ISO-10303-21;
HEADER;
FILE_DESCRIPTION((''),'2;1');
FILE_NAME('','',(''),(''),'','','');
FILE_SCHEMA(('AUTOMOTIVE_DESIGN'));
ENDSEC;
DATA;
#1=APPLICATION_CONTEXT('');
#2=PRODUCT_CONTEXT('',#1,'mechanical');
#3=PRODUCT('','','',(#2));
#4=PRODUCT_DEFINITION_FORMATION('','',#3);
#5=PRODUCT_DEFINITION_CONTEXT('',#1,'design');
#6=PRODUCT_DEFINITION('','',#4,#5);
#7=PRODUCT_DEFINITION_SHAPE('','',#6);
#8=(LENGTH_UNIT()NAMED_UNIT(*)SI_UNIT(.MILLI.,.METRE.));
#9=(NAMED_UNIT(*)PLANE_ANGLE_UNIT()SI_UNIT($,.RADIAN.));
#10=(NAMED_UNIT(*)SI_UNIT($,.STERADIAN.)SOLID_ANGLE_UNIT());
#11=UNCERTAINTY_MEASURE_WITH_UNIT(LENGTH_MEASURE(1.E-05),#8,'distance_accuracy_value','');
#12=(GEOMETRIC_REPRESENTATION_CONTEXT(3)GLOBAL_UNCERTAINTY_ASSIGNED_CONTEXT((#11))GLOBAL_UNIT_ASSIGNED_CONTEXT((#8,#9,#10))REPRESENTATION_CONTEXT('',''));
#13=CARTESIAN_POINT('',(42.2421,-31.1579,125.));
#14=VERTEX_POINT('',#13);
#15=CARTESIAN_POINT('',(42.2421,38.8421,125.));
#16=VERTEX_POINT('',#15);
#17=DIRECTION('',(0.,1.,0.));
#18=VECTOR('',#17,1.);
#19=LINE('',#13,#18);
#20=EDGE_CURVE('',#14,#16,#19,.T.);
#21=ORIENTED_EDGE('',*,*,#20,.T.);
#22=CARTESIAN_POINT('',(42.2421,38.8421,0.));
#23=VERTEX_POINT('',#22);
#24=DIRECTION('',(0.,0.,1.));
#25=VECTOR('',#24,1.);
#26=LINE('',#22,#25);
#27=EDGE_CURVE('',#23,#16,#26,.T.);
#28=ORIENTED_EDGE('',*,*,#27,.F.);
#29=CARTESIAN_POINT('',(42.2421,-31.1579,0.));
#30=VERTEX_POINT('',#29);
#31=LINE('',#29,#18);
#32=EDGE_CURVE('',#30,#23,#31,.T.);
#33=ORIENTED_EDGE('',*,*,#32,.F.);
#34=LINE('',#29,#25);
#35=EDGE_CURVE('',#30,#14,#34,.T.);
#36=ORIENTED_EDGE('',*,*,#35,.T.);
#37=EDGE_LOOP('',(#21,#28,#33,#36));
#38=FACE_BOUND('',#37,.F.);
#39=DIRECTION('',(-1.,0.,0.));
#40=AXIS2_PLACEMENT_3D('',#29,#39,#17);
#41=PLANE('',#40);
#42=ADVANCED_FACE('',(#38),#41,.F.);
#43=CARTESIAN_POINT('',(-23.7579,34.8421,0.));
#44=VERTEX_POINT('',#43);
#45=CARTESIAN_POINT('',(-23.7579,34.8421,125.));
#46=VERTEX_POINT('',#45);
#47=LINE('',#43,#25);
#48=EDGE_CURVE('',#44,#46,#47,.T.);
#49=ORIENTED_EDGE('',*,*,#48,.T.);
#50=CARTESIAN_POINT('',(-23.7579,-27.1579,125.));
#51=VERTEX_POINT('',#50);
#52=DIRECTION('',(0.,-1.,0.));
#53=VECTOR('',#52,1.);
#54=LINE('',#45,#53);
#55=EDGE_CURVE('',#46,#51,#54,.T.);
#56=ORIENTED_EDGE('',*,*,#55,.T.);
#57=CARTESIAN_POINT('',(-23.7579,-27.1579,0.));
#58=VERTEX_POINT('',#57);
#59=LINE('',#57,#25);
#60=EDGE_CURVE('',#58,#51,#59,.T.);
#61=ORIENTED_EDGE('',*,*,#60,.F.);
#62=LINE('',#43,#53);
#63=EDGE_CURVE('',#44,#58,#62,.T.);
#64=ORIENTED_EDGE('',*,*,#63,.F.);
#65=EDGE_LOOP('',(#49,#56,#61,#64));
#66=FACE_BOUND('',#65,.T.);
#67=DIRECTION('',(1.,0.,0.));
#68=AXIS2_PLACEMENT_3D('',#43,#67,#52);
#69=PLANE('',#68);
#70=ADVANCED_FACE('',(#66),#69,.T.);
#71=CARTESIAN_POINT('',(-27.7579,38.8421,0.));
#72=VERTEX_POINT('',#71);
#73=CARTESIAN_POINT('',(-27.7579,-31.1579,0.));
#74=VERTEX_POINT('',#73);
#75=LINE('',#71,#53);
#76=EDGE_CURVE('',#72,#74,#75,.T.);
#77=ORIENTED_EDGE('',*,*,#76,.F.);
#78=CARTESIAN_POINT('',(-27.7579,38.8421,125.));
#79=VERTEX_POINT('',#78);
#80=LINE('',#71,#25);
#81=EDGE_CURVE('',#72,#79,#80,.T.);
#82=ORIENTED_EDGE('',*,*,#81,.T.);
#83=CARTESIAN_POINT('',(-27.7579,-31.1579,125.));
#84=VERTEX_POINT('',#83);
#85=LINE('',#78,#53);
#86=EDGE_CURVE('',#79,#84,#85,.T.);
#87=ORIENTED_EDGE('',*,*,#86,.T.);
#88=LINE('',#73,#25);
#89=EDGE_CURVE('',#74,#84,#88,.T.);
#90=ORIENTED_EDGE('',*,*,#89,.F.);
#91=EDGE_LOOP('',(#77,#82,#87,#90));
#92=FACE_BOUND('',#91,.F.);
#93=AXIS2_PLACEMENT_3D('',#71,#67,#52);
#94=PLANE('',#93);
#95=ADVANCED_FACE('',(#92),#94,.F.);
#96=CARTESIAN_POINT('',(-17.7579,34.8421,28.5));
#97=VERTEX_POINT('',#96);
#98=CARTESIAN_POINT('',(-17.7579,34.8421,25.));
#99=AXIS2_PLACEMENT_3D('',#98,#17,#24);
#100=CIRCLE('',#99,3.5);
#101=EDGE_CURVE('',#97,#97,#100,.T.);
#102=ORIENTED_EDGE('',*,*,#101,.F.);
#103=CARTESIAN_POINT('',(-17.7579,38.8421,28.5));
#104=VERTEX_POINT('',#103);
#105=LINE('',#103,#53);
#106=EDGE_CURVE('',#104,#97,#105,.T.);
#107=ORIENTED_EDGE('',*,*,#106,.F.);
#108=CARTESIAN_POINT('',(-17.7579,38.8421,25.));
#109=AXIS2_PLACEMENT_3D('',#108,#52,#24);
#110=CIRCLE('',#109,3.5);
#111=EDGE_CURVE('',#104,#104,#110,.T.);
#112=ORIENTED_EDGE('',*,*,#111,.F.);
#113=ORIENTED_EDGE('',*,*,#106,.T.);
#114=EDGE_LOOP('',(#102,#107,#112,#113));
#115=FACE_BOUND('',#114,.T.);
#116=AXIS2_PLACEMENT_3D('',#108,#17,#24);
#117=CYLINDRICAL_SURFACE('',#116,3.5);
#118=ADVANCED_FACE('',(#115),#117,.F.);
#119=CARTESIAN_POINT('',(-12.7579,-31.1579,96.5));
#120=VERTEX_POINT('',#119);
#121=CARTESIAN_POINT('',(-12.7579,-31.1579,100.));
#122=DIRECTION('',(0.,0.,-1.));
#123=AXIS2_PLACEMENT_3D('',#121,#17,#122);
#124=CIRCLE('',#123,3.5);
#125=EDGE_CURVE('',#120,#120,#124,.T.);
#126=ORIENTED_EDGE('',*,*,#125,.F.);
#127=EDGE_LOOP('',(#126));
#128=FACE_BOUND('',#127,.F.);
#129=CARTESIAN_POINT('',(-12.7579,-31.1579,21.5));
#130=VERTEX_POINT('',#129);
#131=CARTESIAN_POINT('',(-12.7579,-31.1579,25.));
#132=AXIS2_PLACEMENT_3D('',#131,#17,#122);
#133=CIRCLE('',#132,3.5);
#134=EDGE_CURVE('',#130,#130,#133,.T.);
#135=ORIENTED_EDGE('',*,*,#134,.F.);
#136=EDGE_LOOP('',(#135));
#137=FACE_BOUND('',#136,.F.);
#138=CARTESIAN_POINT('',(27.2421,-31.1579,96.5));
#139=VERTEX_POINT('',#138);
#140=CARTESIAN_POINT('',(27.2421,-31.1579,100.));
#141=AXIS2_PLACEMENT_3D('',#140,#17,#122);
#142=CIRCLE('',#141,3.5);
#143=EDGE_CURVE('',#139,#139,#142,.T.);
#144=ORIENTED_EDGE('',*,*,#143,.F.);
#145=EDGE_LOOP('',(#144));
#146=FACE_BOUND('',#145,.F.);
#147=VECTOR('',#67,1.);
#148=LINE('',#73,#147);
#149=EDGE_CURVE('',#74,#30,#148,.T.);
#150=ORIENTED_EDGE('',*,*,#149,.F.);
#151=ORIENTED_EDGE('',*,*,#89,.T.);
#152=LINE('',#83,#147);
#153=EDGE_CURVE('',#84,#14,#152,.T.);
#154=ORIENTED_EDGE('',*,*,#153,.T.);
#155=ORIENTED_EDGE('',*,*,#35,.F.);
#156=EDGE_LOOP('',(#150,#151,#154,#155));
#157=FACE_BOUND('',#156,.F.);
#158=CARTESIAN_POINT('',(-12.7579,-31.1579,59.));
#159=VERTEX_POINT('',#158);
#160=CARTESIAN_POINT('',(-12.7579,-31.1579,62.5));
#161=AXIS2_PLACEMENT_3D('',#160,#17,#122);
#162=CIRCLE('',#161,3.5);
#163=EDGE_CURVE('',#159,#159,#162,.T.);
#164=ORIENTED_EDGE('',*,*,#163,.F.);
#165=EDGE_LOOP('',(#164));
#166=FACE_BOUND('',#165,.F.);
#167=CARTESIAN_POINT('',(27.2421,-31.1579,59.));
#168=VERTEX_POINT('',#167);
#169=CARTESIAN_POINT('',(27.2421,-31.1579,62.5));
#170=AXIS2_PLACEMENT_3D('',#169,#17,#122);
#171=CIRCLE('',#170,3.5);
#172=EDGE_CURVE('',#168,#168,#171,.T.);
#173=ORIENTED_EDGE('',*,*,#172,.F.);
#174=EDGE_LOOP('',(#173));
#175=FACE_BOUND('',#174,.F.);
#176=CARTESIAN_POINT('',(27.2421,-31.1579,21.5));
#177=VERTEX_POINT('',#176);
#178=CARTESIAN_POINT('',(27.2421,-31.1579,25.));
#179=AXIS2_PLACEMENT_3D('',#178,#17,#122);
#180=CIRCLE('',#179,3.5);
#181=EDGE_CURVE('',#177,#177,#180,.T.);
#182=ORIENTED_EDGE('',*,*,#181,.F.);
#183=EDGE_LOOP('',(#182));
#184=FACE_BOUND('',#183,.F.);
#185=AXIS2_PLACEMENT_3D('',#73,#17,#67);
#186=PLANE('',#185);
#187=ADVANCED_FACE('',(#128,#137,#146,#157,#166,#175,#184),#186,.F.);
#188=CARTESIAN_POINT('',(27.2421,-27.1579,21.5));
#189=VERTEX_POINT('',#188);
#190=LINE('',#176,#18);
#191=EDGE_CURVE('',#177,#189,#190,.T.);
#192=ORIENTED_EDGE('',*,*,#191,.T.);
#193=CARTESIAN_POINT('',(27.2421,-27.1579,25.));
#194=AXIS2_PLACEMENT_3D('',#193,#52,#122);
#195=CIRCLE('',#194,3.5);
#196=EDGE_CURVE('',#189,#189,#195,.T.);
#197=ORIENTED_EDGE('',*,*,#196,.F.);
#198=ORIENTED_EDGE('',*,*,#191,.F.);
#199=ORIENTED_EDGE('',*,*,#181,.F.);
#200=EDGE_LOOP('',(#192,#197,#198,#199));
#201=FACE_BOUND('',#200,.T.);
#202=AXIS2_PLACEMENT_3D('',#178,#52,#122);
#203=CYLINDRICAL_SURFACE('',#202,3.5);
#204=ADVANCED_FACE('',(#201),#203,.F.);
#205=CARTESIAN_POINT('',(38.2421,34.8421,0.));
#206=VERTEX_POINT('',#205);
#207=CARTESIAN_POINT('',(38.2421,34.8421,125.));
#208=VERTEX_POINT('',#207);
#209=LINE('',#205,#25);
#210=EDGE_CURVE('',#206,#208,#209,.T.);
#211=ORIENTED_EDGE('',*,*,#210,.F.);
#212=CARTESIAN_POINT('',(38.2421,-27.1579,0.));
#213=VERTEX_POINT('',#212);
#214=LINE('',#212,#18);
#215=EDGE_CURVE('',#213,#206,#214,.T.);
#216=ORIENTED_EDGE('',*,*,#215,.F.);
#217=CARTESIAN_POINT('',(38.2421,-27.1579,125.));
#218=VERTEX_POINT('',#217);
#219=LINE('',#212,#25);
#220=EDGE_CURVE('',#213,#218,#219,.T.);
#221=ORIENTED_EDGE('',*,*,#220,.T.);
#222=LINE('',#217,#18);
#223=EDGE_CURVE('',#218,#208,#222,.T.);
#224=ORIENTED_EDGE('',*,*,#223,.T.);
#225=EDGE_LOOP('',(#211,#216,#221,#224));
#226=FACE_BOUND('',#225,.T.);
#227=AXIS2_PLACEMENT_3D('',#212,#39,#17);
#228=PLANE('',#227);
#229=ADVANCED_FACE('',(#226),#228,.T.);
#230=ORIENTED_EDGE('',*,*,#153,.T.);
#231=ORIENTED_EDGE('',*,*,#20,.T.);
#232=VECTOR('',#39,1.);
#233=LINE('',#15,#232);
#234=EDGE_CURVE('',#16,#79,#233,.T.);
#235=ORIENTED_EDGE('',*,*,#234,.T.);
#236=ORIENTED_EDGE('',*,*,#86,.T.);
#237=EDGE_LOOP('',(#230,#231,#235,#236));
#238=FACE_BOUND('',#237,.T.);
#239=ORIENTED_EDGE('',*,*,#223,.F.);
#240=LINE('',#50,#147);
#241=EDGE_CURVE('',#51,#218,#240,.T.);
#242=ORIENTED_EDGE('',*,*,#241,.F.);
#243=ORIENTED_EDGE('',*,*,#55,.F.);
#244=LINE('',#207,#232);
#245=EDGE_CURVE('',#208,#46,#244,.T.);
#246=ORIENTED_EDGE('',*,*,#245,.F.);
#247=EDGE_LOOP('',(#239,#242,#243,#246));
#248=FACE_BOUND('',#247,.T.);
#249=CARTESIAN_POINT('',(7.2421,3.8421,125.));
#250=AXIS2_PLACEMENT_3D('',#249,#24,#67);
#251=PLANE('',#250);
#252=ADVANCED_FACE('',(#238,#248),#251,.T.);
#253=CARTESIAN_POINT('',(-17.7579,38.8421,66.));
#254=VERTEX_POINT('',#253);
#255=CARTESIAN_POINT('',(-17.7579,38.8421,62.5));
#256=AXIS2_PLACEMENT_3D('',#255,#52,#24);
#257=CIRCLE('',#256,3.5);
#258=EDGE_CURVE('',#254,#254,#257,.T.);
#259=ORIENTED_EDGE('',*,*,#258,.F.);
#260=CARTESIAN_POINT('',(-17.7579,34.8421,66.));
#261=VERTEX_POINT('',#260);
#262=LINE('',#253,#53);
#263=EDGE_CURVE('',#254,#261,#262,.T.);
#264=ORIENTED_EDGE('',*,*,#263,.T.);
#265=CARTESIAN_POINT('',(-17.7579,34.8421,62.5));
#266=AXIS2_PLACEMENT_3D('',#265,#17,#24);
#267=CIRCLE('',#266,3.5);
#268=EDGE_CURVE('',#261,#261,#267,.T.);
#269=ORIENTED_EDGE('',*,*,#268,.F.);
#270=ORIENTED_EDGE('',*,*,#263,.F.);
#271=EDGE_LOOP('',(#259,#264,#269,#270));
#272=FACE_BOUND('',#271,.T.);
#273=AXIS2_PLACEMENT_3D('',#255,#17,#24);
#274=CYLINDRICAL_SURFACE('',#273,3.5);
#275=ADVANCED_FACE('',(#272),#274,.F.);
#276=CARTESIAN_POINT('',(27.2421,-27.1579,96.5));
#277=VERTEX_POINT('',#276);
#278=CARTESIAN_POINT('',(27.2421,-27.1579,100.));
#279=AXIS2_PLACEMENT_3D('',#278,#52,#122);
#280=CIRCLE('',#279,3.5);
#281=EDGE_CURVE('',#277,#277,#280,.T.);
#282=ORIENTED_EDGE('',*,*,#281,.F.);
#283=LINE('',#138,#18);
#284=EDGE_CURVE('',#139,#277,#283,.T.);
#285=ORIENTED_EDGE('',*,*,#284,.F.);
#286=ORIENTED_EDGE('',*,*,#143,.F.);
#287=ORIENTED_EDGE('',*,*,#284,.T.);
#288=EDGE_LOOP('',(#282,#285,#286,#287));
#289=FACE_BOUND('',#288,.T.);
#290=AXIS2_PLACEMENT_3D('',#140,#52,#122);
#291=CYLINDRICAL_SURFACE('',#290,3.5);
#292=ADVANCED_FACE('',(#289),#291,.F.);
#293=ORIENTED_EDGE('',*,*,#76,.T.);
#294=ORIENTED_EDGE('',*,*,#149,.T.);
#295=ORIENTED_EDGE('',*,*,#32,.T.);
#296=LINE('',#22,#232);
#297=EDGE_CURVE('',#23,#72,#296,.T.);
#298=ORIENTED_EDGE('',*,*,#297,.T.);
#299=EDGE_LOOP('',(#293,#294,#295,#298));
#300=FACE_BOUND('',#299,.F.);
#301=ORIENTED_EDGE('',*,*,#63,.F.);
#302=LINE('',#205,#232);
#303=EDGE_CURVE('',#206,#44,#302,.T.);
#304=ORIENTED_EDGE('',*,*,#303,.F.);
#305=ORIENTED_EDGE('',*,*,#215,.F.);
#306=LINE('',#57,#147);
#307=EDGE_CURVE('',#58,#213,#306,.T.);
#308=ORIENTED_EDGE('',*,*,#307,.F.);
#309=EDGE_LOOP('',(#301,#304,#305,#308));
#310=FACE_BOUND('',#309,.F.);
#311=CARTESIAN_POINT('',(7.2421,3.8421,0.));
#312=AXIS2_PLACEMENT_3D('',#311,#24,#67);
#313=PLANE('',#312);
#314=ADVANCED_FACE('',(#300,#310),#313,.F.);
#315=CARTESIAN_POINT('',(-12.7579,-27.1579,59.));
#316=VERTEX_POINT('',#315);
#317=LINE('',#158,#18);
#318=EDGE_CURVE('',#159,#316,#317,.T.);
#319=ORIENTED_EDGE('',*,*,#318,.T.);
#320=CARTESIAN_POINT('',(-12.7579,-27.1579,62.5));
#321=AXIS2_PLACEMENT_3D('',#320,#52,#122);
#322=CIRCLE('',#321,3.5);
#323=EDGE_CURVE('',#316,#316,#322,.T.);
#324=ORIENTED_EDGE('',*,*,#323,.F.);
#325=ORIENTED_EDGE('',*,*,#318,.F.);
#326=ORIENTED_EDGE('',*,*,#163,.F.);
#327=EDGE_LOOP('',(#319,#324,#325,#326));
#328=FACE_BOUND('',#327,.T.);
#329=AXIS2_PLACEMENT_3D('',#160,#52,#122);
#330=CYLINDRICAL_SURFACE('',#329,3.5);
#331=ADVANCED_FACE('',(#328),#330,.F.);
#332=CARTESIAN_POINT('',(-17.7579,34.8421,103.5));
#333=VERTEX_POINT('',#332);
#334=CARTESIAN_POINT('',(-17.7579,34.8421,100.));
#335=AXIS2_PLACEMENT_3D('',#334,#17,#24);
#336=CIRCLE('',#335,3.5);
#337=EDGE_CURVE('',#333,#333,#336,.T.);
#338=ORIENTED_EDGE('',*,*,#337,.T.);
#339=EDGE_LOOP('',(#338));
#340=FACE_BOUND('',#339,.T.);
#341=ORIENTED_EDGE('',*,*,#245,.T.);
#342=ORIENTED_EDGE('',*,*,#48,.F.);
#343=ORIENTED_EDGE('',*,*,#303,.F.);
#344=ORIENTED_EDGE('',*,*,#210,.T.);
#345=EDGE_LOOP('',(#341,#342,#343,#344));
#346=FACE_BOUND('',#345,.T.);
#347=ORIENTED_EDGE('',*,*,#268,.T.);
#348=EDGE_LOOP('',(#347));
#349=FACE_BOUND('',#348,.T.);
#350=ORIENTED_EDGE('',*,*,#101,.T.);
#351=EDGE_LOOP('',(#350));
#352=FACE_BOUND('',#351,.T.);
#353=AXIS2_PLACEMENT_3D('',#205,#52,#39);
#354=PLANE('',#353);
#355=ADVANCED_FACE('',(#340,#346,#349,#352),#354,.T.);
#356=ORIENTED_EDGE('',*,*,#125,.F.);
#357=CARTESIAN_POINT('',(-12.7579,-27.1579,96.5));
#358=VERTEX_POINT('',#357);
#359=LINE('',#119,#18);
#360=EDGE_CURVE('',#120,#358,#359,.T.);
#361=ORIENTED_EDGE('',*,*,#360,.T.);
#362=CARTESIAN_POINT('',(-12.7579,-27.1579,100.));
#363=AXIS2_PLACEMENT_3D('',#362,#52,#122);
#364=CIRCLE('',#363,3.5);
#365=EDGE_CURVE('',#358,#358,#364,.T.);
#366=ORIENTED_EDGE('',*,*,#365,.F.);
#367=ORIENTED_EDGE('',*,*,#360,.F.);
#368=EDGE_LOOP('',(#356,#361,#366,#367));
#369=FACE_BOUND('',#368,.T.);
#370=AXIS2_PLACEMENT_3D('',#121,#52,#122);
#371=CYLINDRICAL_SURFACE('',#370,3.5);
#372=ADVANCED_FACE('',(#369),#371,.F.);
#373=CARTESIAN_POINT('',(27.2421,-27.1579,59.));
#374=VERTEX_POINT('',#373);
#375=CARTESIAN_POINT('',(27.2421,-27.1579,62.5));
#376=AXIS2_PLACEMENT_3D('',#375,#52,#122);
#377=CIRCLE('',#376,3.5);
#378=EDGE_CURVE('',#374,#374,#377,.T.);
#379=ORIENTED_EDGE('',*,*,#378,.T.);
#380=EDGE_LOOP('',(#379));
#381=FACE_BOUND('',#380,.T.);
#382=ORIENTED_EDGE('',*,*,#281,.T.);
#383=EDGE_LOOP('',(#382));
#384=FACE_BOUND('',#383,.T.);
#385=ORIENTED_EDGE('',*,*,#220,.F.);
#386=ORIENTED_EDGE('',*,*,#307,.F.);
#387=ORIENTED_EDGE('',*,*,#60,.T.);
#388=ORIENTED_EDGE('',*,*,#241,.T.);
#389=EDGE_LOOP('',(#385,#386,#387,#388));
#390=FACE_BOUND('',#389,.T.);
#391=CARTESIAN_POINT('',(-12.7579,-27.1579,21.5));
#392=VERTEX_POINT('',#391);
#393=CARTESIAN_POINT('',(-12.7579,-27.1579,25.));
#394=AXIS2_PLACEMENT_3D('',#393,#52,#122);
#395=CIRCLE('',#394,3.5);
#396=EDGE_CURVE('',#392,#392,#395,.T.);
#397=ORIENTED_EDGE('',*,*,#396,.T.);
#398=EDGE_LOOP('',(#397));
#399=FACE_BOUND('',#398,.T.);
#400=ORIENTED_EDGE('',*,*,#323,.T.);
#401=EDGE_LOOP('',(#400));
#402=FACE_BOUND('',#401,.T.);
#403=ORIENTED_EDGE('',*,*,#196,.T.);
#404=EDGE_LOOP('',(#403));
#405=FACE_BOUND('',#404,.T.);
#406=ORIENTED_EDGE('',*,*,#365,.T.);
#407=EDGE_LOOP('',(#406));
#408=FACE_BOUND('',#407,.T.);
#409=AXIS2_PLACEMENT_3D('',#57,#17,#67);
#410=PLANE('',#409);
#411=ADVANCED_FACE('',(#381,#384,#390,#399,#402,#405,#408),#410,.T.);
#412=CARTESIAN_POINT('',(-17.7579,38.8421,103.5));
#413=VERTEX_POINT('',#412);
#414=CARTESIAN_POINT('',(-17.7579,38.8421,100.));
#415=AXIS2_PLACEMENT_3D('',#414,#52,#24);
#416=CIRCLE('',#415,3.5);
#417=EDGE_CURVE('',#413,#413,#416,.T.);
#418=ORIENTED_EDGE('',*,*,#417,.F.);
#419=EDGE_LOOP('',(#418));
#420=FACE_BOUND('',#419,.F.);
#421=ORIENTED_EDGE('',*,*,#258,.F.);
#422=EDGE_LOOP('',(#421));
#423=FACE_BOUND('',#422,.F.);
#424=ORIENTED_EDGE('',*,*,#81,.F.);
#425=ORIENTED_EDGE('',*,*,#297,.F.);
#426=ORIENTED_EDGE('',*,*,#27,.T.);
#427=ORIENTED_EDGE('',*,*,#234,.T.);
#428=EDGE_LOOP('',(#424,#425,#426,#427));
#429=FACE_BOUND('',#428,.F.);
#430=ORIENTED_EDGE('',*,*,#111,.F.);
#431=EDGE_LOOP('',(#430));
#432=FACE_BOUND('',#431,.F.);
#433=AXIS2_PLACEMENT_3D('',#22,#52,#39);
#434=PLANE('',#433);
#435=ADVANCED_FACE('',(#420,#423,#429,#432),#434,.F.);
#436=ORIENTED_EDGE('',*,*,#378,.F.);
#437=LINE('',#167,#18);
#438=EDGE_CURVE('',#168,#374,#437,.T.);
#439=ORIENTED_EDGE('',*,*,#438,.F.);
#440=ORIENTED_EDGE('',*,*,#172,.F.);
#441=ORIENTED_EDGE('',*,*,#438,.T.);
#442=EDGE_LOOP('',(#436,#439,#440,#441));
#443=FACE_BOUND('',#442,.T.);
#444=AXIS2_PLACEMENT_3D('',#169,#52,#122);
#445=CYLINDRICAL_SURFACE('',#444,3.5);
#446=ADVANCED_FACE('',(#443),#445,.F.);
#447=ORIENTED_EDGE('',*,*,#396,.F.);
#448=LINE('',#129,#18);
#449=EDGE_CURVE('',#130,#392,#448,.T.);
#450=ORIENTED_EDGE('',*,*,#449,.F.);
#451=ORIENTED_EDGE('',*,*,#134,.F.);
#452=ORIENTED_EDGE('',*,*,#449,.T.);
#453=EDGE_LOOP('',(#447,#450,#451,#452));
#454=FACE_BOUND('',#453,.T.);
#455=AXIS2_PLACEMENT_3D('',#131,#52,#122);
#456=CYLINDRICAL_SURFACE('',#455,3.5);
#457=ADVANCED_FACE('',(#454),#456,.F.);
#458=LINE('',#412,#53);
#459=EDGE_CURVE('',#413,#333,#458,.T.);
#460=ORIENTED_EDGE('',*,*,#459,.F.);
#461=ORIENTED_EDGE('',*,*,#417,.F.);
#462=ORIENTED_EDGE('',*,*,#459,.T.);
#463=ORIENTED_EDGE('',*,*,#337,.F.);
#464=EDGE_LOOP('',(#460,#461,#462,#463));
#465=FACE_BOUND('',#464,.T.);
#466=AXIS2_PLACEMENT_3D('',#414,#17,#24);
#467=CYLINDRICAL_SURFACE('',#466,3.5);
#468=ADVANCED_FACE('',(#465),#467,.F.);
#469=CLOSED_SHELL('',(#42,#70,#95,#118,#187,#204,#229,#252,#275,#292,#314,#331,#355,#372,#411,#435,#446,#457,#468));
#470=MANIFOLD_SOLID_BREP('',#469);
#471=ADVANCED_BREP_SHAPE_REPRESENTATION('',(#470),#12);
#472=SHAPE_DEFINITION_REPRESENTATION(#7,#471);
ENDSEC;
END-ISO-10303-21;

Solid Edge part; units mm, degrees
sketch "Sketch1" plane through (0, 0, 0) normal (0, 0, 1) x (1, 0, 0)
  line L0 (-23.7579, 34.8421) -> (-23.7579, -27.1579)
  line L1 (-23.7579, -27.1579) -> (38.2421, -27.1579)
  line L2 (38.2421, -27.1579) -> (38.2421, 34.8421)
  line L3 (38.2421, 34.8421) -> (-23.7579, 34.8421)
  line L4 (-27.7579, 38.8421) -> (-27.7579, -31.1579)
  line L5 (-27.7579, -31.1579) -> (42.2421, -31.1579)
  line L6 (42.2421, -31.1579) -> (42.2421, 38.8421)
  line L7 (42.2421, 38.8421) -> (-27.7579, 38.8421)
  dimension "D1" = 70
  dimension "D2" = 70
  dimension "D3" = 4
  dimension "D4" = 4
  dimension "D5" = 4
  dimension "D6" = 4
extrude "Protrusion1" add sketch "Sketch1" along normal blind 125
hole "Hole_1" at (-17.7579, 38.8421, 62.5) direction (0, -1, 0) diameter 7 end up to next
hole "Hole1" at (-17.7579, 38.8421, 25) direction (0, -1, 0) diameter 7 end up to next
hole "Hole2" at (-17.7579, 38.8421, 100) direction (0, -1, 0) diameter 7 end up to next
hole "Hole_4" at (-12.7579, -31.1579, 62.5) direction (0, 1, 0) diameter 7 end up to next
hole "Hole3" at (-12.7579, -31.1579, 100) direction (0, 1, 0) diameter 7 end up to next
hole "Hole4" at (27.2421, -31.1579, 100) direction (0, 1, 0) diameter 7 end up to next
hole "Hole5" at (27.2421, -31.1579, 62.5) direction (0, 1, 0) diameter 7 end up to next
hole "Hole6" at (27.2421, -31.1579, 25) direction (0, 1, 0) diameter 7 end up to next
hole "Hole7" at (-12.7579, -31.1579, 25) direction (0, 1, 0) diameter 7 end up to next
